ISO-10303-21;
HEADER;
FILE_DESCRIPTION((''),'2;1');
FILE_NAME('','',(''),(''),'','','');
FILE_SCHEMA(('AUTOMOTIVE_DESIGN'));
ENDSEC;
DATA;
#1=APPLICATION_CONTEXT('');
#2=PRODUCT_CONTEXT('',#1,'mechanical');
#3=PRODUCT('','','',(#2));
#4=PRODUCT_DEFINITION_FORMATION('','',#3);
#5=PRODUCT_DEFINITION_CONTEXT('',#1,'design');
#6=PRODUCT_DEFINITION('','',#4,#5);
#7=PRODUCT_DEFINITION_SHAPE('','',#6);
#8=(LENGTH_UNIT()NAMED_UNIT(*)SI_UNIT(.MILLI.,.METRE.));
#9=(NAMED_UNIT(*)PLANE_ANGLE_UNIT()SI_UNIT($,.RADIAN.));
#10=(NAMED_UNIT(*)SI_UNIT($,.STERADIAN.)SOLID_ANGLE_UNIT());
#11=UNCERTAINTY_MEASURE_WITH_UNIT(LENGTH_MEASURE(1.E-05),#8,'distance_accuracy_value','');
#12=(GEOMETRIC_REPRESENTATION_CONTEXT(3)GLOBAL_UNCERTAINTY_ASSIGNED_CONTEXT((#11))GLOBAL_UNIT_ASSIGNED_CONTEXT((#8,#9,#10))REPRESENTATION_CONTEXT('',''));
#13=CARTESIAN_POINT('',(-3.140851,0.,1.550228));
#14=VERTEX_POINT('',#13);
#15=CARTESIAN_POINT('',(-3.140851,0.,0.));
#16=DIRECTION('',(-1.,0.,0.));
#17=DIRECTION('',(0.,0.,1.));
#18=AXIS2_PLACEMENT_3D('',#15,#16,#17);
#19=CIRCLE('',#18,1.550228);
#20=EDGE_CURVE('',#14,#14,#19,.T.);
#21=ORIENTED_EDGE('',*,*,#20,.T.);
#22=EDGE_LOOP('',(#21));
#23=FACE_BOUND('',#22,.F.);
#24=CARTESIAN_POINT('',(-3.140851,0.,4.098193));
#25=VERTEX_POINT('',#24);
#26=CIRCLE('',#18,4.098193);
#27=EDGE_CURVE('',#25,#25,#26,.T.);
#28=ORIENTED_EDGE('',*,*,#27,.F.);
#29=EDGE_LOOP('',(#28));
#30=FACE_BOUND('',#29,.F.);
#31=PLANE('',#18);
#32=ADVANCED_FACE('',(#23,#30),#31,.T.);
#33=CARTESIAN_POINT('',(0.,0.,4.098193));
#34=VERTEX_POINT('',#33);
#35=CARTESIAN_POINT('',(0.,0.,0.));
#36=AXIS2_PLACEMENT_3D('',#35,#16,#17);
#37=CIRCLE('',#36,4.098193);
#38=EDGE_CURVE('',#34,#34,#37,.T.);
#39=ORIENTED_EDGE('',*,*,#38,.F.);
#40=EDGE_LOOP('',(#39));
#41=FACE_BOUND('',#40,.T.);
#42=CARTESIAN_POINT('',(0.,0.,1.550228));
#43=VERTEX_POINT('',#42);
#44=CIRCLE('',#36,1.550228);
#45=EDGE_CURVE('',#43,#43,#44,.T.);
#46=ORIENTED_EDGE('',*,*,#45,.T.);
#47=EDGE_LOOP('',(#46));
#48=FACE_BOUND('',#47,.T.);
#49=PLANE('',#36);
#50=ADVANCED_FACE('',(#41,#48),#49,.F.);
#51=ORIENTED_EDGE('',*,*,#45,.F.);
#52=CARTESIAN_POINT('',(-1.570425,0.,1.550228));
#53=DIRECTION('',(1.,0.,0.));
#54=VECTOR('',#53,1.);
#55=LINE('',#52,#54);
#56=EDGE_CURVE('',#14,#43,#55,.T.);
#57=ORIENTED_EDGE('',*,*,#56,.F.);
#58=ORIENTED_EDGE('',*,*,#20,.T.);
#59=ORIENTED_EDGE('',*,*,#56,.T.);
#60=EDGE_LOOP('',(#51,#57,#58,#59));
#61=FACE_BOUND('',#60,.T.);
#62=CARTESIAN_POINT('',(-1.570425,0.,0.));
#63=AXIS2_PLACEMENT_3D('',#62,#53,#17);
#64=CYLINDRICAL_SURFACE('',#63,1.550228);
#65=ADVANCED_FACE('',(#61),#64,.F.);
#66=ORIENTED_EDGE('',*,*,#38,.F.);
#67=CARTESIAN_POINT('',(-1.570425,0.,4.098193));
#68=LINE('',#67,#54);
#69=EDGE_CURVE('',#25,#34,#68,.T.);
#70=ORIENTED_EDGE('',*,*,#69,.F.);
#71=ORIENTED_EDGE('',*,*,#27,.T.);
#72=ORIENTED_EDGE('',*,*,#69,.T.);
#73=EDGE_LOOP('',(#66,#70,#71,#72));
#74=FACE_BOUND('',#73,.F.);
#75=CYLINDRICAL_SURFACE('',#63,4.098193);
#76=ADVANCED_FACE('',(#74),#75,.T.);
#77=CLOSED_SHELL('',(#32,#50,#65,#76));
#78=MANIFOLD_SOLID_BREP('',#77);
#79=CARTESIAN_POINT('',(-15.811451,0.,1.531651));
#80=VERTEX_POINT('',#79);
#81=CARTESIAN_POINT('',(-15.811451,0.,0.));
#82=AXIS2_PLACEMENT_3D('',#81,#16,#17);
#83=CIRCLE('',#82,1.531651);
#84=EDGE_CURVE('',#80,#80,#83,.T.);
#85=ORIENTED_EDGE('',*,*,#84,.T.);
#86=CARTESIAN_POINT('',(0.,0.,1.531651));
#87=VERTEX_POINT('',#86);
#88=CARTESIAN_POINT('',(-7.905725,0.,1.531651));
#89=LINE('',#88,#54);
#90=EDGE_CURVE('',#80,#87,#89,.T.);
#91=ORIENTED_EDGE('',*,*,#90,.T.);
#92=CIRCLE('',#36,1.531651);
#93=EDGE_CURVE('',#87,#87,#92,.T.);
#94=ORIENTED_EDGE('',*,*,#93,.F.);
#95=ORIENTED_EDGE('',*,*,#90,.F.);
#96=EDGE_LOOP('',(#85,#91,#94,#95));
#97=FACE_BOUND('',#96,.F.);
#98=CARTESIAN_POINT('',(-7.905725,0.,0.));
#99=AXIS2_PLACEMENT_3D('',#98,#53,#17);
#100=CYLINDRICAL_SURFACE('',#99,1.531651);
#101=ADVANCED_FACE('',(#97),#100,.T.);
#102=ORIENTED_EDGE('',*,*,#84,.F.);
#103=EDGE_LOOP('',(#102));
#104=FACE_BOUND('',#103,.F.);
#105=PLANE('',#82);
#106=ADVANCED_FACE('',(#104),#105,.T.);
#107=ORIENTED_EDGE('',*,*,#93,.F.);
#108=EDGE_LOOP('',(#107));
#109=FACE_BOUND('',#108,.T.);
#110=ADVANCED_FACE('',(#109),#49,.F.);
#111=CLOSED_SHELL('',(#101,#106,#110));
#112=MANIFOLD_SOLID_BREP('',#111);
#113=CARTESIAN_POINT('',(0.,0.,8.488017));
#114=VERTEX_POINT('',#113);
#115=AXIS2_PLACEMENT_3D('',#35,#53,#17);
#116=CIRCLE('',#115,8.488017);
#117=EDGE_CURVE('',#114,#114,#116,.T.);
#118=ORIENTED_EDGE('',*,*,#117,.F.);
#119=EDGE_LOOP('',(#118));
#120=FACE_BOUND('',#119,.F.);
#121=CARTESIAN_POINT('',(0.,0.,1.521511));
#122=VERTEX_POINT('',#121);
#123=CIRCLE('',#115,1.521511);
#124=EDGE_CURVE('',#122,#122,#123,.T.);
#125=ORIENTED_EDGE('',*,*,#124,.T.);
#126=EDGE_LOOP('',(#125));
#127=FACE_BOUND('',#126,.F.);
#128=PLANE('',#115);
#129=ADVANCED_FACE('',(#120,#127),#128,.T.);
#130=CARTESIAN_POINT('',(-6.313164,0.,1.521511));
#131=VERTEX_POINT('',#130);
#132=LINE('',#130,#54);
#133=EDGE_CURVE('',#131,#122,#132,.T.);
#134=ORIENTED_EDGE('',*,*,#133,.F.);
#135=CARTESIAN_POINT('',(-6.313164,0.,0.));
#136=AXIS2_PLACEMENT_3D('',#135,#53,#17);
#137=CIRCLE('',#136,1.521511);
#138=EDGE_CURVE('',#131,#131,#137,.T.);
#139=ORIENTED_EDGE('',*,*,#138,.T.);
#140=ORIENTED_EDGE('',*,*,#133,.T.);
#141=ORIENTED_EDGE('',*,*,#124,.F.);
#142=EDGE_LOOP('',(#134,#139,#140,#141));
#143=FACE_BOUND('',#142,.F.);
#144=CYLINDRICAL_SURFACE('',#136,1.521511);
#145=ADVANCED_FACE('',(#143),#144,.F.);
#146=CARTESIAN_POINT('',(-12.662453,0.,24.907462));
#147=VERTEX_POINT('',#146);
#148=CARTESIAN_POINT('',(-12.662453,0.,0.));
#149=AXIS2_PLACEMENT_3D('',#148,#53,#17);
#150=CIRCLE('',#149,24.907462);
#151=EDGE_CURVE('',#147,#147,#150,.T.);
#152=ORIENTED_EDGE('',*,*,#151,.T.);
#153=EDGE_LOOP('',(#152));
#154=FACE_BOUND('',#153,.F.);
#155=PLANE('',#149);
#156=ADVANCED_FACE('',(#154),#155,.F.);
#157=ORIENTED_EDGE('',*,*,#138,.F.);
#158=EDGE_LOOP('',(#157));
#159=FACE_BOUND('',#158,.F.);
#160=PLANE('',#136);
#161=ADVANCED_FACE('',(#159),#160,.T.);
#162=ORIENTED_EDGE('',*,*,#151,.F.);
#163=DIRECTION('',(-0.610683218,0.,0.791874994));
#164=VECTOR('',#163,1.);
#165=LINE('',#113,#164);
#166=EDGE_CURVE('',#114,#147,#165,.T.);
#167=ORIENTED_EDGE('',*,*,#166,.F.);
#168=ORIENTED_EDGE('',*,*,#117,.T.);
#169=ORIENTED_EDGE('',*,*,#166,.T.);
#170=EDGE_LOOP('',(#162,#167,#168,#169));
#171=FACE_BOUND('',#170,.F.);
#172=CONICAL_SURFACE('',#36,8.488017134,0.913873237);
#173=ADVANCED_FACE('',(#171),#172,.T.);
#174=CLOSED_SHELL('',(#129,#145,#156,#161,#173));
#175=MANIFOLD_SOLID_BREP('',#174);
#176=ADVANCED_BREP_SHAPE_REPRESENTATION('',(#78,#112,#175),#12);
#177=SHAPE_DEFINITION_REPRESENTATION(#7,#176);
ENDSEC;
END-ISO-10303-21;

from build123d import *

# Parameters (mm, degrees)
F2_W = 15.8114507794
F2_H = 1.5316511272
F4_W = 3.1408506911
F4_H = 2.5479650358


with BuildPart() as f1:
    # F0 (on Front) → F1 (revolve)
    with BuildSketch(Plane.XZ):
        Polygon((-12.6624526456, 24.9074622989), (-12.6624526456, 0), (-6.3131642528, 0), (-6.3131642528, 1.5215113526), (0, 1.5215113526), (0, 8.4880171344), align=None)
    revolve(axis=Axis((-9.4878084492, 0, 0), (1, 0, 0)))


with BuildPart() as f3:
    # F2 (on Front) → F3 (revolve)
    with BuildSketch(Plane.XZ):
        with Locations((-7.9057253897, 0.7658255636)):
            Rectangle(F2_W, F2_H)
    revolve(axis=Axis((-7.9057253897, 0, 0), (-1, 0, 0)))


with BuildPart() as f5:
    # F4 (on Front) → F5 (revolve)
    with BuildSketch(Plane.XZ):
        with Locations((-1.5704253456, 2.8242102708)):
            Rectangle(F4_W, F4_H)
    revolve(axis=Axis((-1.6580830561, 0, 0), (-1, 0, 0)))


solid = Compound([f1.part, f3.part, f5.part])
